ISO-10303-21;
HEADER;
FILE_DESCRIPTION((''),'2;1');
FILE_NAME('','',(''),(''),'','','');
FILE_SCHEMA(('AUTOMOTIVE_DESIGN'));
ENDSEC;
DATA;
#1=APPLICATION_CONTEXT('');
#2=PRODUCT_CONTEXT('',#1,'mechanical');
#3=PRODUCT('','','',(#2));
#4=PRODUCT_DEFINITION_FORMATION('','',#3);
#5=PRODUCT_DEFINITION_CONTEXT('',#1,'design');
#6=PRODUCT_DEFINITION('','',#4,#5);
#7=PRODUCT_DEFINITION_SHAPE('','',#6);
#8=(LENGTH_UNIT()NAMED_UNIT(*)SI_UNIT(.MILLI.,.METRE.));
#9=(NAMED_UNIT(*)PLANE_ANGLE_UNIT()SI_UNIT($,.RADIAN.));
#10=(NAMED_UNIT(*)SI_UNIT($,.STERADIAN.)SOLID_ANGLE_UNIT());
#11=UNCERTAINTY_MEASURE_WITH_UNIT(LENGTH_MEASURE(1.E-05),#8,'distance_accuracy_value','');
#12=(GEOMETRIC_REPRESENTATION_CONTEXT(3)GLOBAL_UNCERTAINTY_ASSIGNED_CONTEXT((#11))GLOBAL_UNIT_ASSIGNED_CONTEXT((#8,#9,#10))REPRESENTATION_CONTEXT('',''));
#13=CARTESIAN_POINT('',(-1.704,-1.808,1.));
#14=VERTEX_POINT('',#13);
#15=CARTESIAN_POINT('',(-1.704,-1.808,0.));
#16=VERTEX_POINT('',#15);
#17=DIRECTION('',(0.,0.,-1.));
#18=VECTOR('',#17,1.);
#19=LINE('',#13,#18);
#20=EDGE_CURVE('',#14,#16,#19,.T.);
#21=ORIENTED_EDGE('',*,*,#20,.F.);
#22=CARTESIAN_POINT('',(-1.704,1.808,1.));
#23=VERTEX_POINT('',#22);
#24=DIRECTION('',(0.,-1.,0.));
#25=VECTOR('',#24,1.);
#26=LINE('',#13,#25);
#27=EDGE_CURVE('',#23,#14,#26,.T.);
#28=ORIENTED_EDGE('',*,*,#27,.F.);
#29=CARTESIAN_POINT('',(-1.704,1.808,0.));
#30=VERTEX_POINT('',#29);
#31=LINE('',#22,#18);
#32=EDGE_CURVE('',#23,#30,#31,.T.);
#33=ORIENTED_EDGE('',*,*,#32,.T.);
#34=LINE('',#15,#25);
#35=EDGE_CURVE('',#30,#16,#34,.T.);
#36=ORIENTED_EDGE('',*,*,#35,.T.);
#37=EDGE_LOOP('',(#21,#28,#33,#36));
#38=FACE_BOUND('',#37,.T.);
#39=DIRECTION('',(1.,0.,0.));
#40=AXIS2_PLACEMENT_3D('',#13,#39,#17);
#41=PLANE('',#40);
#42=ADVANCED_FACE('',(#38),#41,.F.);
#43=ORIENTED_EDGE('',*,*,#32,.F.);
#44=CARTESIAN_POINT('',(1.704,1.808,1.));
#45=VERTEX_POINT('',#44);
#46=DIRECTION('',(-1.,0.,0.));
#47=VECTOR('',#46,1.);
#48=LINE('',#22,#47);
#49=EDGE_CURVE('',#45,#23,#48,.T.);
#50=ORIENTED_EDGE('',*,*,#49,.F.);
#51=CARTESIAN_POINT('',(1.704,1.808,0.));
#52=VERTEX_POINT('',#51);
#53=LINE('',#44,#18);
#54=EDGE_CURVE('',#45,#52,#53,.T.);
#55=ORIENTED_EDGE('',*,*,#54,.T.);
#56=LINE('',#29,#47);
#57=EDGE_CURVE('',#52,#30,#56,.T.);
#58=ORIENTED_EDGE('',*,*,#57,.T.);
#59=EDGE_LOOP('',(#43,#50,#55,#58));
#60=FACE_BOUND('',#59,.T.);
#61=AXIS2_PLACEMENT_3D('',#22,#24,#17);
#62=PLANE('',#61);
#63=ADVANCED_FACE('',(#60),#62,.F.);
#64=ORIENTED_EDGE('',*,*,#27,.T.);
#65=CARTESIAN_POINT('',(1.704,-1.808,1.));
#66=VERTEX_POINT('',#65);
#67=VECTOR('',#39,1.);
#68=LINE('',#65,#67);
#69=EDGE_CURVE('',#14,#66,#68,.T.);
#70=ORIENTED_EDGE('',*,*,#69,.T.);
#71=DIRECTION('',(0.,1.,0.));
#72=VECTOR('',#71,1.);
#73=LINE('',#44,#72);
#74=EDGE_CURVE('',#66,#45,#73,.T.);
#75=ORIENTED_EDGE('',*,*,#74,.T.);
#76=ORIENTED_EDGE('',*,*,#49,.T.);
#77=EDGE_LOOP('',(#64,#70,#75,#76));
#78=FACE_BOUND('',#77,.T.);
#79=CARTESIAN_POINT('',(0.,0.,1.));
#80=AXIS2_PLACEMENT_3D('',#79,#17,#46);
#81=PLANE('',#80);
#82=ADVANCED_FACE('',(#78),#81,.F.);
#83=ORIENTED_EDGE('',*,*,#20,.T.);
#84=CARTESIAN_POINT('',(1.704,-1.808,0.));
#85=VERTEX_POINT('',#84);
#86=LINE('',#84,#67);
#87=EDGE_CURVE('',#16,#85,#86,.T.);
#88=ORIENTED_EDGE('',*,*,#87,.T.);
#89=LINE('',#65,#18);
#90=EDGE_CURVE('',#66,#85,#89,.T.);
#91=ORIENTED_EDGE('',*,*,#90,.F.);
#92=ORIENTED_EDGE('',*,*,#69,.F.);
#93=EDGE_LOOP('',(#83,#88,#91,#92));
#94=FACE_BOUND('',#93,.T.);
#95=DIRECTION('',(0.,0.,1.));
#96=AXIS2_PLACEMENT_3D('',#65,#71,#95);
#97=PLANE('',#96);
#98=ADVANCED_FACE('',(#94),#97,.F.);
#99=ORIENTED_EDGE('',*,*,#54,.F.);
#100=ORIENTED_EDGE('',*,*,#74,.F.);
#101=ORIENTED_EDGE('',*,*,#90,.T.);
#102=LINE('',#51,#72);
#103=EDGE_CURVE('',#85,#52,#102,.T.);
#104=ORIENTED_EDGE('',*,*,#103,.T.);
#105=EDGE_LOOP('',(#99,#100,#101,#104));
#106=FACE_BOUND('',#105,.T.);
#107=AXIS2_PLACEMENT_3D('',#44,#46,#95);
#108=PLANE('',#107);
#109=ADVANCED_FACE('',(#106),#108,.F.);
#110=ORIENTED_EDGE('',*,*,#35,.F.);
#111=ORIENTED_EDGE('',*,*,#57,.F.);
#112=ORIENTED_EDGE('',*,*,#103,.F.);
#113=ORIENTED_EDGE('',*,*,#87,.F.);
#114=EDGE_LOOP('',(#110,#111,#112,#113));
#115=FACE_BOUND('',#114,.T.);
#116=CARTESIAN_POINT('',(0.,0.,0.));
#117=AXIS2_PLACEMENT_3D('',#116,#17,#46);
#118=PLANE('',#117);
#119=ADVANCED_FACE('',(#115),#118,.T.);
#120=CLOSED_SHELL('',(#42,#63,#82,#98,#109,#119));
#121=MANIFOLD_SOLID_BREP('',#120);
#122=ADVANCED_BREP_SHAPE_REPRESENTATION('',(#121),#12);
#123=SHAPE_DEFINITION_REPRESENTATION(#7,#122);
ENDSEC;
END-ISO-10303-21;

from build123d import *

# Parameters (mm, degrees)
SKETCH1_W               = 3.408
SKETCH1_H               = 3.616
COMPONENT_OUTLINE_DEPTH = 1


with BuildPart() as part:
    # Sketch1 → Component_Outline (new body)
    with BuildSketch(Plane.XY):
        Rectangle(SKETCH1_W, SKETCH1_H)
    extrude(amount=COMPONENT_OUTLINE_DEPTH)


solid = part.part
